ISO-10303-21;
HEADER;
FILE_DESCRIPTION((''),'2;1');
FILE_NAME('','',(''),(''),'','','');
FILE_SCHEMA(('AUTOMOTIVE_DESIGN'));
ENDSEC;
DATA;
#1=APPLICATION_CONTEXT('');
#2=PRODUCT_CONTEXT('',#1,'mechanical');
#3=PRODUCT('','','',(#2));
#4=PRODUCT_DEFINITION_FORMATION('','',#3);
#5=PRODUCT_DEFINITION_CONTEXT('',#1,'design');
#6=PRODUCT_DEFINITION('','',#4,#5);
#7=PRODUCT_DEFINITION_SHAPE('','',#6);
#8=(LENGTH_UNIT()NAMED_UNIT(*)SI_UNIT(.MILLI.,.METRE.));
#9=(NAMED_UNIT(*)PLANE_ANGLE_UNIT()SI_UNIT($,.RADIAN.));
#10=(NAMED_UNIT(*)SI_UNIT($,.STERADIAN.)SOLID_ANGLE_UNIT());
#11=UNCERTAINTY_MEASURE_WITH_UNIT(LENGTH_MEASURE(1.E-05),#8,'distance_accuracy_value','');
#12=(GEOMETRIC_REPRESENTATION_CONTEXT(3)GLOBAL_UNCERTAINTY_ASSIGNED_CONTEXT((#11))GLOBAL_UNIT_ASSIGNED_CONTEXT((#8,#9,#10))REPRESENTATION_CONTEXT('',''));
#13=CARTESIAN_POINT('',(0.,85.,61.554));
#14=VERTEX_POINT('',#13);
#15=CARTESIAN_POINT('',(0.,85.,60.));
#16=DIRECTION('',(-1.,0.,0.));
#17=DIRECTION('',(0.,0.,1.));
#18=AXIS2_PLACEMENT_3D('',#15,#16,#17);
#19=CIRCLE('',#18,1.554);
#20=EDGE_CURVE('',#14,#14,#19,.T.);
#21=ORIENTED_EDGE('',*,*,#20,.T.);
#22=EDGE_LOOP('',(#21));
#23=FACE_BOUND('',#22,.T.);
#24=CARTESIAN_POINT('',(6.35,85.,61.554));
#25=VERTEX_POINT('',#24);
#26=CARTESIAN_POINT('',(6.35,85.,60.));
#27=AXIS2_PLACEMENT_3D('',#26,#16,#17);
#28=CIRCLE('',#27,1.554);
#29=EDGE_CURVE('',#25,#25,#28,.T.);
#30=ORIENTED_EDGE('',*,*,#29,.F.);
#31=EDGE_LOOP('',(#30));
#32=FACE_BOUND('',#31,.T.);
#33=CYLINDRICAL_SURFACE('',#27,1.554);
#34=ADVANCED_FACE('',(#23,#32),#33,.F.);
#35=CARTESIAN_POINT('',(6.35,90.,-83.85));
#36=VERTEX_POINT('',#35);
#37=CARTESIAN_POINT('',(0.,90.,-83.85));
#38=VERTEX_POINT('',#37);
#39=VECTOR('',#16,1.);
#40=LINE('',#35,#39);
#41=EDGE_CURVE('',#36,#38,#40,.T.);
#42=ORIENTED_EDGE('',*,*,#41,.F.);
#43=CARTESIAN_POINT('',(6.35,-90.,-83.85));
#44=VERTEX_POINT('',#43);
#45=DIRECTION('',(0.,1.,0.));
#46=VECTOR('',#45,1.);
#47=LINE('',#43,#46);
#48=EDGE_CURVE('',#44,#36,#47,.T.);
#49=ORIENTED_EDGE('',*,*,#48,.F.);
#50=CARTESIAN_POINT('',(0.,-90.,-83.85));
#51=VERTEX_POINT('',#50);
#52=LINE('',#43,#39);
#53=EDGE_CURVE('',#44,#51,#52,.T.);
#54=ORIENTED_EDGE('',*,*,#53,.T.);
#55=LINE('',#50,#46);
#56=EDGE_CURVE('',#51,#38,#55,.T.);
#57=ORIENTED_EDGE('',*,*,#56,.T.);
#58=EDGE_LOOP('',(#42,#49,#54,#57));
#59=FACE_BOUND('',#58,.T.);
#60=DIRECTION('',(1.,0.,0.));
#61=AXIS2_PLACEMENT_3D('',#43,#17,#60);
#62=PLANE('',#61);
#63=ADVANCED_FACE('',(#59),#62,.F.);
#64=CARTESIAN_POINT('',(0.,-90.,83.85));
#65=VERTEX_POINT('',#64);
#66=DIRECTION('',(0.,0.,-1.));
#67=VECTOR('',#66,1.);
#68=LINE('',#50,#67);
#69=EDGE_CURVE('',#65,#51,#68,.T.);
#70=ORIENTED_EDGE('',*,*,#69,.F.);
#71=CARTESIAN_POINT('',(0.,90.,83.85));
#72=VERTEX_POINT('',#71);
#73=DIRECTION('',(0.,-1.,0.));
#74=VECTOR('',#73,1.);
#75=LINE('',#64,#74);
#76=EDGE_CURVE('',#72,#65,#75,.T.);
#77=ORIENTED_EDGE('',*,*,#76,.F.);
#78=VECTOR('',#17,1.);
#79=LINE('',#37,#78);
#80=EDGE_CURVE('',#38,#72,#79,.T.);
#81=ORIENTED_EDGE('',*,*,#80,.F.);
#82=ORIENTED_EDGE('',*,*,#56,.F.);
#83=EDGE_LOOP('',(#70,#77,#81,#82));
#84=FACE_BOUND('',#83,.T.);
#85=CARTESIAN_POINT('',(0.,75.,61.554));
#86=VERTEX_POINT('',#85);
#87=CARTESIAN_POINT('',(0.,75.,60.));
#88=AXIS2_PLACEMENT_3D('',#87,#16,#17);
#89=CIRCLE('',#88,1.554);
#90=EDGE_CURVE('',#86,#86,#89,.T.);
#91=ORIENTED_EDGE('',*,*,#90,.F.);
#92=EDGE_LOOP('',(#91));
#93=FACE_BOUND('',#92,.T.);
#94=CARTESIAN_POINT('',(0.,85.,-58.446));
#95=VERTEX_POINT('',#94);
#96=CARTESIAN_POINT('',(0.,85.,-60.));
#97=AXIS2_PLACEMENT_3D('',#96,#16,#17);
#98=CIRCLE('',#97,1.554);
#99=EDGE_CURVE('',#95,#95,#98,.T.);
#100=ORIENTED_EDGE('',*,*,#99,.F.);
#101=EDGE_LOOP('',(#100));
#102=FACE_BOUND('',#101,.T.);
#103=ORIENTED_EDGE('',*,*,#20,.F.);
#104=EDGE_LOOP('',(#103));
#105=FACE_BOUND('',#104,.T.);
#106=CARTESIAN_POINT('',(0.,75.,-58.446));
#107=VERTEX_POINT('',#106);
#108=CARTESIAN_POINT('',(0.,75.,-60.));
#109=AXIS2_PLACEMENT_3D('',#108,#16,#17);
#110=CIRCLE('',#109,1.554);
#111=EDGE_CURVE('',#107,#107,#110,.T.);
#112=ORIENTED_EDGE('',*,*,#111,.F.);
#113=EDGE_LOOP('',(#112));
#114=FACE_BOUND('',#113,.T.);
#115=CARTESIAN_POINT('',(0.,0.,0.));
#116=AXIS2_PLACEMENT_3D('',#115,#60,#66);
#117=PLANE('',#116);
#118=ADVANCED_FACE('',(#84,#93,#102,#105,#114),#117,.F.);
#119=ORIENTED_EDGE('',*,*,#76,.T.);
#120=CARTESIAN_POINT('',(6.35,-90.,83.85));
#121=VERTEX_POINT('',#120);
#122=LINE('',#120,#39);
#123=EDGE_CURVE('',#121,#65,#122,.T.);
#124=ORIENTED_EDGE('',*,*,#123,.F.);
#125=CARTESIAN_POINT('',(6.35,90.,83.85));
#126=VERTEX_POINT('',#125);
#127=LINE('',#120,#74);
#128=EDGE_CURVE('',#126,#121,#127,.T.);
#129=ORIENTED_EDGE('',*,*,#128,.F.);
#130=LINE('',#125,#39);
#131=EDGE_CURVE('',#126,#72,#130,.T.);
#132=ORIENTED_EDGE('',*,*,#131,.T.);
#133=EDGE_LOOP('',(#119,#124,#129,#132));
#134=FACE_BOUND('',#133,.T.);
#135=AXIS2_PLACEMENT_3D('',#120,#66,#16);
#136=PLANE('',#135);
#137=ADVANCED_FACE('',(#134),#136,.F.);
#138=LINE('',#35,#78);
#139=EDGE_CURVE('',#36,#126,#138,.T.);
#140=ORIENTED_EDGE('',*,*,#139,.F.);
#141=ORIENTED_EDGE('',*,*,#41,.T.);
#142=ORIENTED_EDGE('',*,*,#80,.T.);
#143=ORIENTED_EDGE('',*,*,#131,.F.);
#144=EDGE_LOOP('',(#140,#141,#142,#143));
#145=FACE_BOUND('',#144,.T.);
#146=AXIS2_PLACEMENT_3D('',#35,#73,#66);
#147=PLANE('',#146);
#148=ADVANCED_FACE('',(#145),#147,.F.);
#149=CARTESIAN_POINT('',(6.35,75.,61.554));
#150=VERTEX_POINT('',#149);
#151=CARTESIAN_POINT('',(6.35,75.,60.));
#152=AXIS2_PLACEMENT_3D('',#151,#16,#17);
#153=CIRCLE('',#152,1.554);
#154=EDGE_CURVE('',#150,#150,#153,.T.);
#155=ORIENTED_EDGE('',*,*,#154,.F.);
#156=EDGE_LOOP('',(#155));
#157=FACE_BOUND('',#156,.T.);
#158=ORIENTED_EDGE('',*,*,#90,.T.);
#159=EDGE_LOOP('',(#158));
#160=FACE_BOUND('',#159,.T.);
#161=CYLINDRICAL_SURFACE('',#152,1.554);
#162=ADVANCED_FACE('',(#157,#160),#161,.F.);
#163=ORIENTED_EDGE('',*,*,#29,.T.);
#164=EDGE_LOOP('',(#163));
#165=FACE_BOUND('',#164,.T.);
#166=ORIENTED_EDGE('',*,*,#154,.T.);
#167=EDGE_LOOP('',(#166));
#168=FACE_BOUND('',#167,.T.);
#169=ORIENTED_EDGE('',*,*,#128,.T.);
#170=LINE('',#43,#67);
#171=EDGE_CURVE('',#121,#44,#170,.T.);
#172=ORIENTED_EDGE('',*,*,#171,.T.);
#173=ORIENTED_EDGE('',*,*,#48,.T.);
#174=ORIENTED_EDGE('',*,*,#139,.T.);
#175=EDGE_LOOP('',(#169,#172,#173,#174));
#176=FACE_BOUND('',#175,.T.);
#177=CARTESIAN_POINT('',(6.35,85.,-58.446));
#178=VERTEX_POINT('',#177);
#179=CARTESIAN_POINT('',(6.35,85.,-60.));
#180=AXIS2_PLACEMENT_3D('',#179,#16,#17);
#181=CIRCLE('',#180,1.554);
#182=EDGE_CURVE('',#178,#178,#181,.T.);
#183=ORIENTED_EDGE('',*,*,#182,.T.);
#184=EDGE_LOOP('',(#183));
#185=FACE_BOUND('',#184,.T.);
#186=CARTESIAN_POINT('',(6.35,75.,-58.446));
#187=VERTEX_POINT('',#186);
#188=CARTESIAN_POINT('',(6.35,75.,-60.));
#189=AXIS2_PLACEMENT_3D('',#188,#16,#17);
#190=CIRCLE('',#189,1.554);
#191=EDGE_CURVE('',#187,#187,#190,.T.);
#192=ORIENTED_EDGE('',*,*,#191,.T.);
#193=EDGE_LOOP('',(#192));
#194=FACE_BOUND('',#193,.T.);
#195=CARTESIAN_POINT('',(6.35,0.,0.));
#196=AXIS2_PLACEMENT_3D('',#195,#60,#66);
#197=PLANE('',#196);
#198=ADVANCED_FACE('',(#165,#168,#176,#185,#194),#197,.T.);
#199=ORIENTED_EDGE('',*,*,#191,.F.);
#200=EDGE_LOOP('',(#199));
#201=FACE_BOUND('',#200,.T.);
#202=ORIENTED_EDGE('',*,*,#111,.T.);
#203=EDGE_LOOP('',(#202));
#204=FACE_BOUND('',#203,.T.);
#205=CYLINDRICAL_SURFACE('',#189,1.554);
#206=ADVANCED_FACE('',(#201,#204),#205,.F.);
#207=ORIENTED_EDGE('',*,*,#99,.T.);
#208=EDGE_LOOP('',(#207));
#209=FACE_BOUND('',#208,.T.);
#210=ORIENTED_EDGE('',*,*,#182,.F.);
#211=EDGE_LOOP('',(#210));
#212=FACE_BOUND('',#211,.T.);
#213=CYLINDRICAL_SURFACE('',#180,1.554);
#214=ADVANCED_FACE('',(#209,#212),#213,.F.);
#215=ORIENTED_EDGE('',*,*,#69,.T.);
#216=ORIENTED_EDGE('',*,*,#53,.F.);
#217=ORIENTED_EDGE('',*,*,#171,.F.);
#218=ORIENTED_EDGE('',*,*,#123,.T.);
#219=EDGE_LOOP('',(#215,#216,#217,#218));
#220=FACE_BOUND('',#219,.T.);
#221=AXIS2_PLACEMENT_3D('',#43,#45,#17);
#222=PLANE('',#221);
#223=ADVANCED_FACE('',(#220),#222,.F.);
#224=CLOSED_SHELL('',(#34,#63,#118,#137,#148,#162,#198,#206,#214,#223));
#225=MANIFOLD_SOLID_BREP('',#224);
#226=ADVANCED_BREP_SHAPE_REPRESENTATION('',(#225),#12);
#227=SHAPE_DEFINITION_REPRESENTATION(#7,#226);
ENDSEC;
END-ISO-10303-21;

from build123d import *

# Parameters (mm, degrees)
SKETCH1_W           = 167.7
SKETCH1_H           = 180
BOSS_EXTRUDE1_DEPTH = 6.35
SKETCH2_R           = 1.554
CUT_EXTRUDE1_DEPTH  = 124.171201991


with BuildPart() as part:
    # Sketch1 → Boss-Extrude1 (new body)
    with BuildSketch(Plane(origin=(0, 0, 0), x_dir=(0, 0, -1), z_dir=(1, 0, 0))):
        Rectangle(SKETCH1_W, SKETCH1_H)
    extrude(amount=BOSS_EXTRUDE1_DEPTH)

    # Sketch2 → Cut-Extrude1 (cut, through all)
    with BuildSketch(Plane.ZY):
        with Locations((59.999999948, 84.999999528)):
            Circle(SKETCH2_R)
        with Locations((-59.999999948, 84.999999528)):
            Circle(SKETCH2_R)
        with Locations((-59.999999948, 74.999999528)):
            Circle(SKETCH2_R)
        with Locations((59.999999948, 74.999999528)):
            Circle(SKETCH2_R)
    extrude(amount=-CUT_EXTRUDE1_DEPTH, mode=Mode.SUBTRACT)


solid = part.part
